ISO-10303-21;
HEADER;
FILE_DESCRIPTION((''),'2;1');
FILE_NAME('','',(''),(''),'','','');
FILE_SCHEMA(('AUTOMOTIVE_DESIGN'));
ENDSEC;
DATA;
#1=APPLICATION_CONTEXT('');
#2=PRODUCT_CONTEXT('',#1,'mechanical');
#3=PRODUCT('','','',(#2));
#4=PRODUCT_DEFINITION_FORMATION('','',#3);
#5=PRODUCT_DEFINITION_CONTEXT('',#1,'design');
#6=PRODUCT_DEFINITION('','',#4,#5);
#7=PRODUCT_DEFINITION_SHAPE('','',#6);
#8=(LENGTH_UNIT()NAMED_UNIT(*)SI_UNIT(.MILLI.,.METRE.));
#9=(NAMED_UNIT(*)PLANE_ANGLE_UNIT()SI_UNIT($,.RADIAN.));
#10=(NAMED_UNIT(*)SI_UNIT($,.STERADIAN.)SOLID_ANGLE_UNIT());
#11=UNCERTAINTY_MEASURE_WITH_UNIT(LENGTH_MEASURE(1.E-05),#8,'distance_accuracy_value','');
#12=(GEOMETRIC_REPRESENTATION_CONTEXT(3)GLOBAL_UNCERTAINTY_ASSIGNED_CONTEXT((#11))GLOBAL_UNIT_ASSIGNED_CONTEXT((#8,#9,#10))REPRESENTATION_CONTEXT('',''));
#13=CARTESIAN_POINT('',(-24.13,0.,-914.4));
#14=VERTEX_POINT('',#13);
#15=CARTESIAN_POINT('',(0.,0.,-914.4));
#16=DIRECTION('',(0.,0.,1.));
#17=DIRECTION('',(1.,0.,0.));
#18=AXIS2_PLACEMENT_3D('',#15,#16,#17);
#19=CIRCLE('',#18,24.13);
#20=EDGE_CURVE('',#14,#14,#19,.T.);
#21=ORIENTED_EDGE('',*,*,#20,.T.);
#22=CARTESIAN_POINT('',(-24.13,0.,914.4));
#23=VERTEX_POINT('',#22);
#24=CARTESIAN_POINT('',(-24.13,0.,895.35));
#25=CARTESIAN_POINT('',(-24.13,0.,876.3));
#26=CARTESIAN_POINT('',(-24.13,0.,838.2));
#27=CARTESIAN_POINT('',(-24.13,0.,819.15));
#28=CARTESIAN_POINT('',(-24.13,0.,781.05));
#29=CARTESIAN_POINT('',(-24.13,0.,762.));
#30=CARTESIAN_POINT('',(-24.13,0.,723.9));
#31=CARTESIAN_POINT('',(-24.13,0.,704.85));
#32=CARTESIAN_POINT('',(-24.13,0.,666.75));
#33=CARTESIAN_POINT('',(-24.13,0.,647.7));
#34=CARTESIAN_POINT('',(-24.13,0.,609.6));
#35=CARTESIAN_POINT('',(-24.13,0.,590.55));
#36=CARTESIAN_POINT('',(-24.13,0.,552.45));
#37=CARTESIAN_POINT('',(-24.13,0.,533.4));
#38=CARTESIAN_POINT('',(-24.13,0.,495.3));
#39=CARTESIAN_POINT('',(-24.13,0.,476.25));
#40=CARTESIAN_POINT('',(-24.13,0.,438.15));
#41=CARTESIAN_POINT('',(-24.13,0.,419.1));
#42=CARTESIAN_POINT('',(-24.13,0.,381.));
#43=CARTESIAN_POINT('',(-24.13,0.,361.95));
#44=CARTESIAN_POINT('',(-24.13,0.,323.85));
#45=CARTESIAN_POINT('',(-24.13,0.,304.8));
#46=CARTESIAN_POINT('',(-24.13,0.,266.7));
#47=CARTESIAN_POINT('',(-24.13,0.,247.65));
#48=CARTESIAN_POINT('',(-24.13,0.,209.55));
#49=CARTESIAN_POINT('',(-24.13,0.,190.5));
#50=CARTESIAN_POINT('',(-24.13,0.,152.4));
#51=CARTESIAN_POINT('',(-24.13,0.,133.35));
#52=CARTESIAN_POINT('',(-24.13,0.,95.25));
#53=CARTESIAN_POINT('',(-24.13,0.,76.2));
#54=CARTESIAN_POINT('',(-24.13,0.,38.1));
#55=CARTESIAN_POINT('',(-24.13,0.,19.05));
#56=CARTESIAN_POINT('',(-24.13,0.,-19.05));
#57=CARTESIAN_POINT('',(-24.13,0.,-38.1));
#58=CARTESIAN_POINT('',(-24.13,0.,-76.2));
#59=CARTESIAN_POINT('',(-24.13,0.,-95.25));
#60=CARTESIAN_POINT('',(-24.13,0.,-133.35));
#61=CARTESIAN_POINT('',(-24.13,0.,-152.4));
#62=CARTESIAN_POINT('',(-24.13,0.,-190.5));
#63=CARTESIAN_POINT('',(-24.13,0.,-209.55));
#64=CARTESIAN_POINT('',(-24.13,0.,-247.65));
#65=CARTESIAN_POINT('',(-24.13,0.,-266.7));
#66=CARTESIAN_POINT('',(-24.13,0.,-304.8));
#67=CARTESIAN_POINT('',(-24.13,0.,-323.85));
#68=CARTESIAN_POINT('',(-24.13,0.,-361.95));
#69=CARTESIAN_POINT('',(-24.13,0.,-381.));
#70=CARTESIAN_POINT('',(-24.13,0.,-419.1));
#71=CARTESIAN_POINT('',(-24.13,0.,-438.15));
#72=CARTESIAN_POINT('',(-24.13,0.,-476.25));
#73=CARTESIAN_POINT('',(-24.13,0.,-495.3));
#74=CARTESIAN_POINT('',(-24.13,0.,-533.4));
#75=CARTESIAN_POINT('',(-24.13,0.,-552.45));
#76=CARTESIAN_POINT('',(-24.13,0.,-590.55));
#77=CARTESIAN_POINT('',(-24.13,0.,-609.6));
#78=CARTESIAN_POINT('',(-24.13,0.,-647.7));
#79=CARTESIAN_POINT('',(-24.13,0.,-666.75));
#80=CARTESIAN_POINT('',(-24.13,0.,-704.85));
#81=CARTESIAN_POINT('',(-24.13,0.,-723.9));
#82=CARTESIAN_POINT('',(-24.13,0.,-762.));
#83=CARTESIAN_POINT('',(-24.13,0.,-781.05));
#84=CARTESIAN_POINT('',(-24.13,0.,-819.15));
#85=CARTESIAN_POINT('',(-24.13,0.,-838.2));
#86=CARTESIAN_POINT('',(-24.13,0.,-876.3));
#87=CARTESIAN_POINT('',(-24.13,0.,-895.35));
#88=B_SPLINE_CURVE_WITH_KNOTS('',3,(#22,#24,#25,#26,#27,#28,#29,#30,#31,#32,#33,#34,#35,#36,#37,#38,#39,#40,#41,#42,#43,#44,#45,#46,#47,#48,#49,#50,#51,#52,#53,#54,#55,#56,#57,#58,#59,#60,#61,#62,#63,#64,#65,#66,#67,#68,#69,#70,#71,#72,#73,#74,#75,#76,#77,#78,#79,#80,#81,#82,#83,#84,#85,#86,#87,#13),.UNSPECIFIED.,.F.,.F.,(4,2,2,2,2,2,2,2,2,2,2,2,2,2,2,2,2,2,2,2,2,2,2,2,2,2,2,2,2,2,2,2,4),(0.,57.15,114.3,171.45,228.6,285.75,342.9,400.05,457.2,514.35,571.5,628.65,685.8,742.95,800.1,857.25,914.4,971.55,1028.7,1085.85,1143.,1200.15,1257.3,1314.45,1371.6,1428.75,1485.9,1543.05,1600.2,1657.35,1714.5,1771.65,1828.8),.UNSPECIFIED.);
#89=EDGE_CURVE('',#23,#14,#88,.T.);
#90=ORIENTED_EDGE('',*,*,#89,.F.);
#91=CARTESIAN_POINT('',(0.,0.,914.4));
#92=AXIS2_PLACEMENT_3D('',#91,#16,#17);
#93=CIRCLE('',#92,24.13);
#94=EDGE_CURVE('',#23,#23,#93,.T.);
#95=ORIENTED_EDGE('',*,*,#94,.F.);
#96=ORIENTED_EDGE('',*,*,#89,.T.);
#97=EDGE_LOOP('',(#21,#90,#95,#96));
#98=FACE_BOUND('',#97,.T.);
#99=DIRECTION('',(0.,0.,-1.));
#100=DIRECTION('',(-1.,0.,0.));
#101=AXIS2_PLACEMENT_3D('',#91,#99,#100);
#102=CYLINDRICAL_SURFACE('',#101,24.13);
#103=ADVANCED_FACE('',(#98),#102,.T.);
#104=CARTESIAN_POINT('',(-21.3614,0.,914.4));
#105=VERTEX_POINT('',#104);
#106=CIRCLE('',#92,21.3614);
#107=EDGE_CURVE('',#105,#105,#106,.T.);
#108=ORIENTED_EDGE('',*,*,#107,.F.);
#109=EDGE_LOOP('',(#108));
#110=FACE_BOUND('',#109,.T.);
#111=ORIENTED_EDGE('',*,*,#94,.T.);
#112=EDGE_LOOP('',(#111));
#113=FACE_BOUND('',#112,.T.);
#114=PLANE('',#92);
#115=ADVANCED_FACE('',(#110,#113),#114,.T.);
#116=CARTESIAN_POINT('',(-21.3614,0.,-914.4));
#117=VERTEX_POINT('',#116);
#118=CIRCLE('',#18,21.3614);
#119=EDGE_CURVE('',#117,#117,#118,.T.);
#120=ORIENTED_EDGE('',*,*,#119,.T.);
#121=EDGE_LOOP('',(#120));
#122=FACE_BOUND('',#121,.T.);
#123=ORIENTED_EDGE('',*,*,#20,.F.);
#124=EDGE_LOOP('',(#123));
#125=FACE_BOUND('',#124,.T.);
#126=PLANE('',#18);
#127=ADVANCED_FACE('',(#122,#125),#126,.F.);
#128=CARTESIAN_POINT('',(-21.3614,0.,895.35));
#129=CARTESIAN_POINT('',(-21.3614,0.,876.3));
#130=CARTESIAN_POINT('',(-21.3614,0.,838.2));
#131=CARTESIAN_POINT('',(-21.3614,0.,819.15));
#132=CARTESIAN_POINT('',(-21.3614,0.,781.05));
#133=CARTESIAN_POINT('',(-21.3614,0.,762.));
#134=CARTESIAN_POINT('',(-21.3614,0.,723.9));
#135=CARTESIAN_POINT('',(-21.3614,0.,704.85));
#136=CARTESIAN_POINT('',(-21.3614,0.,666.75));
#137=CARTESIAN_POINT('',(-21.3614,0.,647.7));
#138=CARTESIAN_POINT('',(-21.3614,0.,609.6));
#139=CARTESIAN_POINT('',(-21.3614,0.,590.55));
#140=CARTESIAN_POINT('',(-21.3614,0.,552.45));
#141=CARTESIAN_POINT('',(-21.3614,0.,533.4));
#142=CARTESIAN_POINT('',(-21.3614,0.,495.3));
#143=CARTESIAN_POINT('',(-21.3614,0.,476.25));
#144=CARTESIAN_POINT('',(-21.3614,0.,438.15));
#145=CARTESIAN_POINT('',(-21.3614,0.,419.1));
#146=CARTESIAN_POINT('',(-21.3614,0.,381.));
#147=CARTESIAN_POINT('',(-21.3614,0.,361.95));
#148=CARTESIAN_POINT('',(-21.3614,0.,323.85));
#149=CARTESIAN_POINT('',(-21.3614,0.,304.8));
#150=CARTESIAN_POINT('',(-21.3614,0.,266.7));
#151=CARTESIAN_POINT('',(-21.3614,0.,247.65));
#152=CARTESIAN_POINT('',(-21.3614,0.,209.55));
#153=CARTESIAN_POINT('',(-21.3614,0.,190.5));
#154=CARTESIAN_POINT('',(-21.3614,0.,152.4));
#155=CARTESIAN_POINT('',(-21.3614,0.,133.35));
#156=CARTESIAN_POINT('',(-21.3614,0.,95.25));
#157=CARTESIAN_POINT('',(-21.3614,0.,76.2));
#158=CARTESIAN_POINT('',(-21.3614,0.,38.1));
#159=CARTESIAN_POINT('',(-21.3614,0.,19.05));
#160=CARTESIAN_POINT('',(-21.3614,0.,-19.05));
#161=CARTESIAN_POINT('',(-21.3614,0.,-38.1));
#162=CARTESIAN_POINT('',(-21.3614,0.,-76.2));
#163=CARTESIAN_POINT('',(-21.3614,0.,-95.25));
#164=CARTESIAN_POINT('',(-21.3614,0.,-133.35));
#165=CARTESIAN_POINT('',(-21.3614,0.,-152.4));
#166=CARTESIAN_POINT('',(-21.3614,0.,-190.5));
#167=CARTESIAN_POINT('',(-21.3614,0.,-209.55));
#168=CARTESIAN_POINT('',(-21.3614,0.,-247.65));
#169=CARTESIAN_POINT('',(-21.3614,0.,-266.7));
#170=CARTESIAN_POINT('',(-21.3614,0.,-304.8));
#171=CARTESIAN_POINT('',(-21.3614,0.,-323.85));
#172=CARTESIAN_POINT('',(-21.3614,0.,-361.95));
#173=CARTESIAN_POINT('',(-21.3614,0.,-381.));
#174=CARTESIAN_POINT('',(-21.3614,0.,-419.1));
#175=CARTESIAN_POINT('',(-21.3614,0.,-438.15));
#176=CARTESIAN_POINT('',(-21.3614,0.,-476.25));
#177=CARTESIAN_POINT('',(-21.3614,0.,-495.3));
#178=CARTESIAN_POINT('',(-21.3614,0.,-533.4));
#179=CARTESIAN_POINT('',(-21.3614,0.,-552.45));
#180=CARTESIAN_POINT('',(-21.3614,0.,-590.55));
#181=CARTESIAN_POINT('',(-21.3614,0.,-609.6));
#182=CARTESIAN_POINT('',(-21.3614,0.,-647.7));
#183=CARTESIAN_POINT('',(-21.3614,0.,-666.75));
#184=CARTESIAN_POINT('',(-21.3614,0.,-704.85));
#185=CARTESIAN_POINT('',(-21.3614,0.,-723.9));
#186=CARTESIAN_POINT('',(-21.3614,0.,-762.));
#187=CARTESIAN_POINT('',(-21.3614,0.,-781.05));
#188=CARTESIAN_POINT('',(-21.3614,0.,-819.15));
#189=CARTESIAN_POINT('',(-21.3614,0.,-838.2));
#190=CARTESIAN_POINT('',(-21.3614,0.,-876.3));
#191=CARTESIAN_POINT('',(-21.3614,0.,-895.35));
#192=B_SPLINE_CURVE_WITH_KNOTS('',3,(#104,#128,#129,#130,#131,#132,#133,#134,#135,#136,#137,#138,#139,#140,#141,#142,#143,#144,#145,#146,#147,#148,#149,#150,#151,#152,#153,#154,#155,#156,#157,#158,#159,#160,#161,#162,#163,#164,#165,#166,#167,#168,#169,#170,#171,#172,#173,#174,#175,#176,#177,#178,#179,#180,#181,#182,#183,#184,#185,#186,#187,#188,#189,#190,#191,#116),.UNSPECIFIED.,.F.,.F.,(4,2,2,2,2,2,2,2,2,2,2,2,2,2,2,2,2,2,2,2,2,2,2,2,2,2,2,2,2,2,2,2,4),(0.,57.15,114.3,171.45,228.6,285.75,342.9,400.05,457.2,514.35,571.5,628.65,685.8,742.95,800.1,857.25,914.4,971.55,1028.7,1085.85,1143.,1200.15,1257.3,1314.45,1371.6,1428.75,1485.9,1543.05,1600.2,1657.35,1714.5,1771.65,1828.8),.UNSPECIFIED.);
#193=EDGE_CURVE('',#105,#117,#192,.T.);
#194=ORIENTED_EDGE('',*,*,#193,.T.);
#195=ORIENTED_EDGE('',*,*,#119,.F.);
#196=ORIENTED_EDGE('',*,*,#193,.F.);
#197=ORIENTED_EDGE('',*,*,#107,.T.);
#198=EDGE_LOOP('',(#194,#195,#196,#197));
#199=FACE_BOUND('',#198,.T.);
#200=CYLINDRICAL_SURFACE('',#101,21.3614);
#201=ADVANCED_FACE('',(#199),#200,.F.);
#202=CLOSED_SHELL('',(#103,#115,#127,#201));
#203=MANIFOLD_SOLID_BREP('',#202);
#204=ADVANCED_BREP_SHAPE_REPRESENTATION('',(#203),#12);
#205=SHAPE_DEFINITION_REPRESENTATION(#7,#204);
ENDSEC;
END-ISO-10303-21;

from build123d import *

# Parameters (mm, degrees)
BOSS_EXTRUDE1_DEPTH      = 914.4
BOSS_EXTRUDE1_DEPTH_BACK = 914.4
SKETCH3_R                = 24.13
SKETCH3_R_2              = 21.3614


with BuildPart() as part:
    # Sketch3 → Boss-Extrude1 (new, two sides: drawn at the far end of the back side and taken through both)
    with BuildSketch(Plane.XY.offset(-BOSS_EXTRUDE1_DEPTH_BACK)):
        with Locations(Location((0, 0, 0), (0, 0, 180))):
            Circle(SKETCH3_R)
        with Locations(Location((0, 0, 0), (0, 0, 180))):
            Circle(SKETCH3_R_2, mode=Mode.SUBTRACT)
    extrude(amount=BOSS_EXTRUDE1_DEPTH + BOSS_EXTRUDE1_DEPTH_BACK)


solid = part.part
